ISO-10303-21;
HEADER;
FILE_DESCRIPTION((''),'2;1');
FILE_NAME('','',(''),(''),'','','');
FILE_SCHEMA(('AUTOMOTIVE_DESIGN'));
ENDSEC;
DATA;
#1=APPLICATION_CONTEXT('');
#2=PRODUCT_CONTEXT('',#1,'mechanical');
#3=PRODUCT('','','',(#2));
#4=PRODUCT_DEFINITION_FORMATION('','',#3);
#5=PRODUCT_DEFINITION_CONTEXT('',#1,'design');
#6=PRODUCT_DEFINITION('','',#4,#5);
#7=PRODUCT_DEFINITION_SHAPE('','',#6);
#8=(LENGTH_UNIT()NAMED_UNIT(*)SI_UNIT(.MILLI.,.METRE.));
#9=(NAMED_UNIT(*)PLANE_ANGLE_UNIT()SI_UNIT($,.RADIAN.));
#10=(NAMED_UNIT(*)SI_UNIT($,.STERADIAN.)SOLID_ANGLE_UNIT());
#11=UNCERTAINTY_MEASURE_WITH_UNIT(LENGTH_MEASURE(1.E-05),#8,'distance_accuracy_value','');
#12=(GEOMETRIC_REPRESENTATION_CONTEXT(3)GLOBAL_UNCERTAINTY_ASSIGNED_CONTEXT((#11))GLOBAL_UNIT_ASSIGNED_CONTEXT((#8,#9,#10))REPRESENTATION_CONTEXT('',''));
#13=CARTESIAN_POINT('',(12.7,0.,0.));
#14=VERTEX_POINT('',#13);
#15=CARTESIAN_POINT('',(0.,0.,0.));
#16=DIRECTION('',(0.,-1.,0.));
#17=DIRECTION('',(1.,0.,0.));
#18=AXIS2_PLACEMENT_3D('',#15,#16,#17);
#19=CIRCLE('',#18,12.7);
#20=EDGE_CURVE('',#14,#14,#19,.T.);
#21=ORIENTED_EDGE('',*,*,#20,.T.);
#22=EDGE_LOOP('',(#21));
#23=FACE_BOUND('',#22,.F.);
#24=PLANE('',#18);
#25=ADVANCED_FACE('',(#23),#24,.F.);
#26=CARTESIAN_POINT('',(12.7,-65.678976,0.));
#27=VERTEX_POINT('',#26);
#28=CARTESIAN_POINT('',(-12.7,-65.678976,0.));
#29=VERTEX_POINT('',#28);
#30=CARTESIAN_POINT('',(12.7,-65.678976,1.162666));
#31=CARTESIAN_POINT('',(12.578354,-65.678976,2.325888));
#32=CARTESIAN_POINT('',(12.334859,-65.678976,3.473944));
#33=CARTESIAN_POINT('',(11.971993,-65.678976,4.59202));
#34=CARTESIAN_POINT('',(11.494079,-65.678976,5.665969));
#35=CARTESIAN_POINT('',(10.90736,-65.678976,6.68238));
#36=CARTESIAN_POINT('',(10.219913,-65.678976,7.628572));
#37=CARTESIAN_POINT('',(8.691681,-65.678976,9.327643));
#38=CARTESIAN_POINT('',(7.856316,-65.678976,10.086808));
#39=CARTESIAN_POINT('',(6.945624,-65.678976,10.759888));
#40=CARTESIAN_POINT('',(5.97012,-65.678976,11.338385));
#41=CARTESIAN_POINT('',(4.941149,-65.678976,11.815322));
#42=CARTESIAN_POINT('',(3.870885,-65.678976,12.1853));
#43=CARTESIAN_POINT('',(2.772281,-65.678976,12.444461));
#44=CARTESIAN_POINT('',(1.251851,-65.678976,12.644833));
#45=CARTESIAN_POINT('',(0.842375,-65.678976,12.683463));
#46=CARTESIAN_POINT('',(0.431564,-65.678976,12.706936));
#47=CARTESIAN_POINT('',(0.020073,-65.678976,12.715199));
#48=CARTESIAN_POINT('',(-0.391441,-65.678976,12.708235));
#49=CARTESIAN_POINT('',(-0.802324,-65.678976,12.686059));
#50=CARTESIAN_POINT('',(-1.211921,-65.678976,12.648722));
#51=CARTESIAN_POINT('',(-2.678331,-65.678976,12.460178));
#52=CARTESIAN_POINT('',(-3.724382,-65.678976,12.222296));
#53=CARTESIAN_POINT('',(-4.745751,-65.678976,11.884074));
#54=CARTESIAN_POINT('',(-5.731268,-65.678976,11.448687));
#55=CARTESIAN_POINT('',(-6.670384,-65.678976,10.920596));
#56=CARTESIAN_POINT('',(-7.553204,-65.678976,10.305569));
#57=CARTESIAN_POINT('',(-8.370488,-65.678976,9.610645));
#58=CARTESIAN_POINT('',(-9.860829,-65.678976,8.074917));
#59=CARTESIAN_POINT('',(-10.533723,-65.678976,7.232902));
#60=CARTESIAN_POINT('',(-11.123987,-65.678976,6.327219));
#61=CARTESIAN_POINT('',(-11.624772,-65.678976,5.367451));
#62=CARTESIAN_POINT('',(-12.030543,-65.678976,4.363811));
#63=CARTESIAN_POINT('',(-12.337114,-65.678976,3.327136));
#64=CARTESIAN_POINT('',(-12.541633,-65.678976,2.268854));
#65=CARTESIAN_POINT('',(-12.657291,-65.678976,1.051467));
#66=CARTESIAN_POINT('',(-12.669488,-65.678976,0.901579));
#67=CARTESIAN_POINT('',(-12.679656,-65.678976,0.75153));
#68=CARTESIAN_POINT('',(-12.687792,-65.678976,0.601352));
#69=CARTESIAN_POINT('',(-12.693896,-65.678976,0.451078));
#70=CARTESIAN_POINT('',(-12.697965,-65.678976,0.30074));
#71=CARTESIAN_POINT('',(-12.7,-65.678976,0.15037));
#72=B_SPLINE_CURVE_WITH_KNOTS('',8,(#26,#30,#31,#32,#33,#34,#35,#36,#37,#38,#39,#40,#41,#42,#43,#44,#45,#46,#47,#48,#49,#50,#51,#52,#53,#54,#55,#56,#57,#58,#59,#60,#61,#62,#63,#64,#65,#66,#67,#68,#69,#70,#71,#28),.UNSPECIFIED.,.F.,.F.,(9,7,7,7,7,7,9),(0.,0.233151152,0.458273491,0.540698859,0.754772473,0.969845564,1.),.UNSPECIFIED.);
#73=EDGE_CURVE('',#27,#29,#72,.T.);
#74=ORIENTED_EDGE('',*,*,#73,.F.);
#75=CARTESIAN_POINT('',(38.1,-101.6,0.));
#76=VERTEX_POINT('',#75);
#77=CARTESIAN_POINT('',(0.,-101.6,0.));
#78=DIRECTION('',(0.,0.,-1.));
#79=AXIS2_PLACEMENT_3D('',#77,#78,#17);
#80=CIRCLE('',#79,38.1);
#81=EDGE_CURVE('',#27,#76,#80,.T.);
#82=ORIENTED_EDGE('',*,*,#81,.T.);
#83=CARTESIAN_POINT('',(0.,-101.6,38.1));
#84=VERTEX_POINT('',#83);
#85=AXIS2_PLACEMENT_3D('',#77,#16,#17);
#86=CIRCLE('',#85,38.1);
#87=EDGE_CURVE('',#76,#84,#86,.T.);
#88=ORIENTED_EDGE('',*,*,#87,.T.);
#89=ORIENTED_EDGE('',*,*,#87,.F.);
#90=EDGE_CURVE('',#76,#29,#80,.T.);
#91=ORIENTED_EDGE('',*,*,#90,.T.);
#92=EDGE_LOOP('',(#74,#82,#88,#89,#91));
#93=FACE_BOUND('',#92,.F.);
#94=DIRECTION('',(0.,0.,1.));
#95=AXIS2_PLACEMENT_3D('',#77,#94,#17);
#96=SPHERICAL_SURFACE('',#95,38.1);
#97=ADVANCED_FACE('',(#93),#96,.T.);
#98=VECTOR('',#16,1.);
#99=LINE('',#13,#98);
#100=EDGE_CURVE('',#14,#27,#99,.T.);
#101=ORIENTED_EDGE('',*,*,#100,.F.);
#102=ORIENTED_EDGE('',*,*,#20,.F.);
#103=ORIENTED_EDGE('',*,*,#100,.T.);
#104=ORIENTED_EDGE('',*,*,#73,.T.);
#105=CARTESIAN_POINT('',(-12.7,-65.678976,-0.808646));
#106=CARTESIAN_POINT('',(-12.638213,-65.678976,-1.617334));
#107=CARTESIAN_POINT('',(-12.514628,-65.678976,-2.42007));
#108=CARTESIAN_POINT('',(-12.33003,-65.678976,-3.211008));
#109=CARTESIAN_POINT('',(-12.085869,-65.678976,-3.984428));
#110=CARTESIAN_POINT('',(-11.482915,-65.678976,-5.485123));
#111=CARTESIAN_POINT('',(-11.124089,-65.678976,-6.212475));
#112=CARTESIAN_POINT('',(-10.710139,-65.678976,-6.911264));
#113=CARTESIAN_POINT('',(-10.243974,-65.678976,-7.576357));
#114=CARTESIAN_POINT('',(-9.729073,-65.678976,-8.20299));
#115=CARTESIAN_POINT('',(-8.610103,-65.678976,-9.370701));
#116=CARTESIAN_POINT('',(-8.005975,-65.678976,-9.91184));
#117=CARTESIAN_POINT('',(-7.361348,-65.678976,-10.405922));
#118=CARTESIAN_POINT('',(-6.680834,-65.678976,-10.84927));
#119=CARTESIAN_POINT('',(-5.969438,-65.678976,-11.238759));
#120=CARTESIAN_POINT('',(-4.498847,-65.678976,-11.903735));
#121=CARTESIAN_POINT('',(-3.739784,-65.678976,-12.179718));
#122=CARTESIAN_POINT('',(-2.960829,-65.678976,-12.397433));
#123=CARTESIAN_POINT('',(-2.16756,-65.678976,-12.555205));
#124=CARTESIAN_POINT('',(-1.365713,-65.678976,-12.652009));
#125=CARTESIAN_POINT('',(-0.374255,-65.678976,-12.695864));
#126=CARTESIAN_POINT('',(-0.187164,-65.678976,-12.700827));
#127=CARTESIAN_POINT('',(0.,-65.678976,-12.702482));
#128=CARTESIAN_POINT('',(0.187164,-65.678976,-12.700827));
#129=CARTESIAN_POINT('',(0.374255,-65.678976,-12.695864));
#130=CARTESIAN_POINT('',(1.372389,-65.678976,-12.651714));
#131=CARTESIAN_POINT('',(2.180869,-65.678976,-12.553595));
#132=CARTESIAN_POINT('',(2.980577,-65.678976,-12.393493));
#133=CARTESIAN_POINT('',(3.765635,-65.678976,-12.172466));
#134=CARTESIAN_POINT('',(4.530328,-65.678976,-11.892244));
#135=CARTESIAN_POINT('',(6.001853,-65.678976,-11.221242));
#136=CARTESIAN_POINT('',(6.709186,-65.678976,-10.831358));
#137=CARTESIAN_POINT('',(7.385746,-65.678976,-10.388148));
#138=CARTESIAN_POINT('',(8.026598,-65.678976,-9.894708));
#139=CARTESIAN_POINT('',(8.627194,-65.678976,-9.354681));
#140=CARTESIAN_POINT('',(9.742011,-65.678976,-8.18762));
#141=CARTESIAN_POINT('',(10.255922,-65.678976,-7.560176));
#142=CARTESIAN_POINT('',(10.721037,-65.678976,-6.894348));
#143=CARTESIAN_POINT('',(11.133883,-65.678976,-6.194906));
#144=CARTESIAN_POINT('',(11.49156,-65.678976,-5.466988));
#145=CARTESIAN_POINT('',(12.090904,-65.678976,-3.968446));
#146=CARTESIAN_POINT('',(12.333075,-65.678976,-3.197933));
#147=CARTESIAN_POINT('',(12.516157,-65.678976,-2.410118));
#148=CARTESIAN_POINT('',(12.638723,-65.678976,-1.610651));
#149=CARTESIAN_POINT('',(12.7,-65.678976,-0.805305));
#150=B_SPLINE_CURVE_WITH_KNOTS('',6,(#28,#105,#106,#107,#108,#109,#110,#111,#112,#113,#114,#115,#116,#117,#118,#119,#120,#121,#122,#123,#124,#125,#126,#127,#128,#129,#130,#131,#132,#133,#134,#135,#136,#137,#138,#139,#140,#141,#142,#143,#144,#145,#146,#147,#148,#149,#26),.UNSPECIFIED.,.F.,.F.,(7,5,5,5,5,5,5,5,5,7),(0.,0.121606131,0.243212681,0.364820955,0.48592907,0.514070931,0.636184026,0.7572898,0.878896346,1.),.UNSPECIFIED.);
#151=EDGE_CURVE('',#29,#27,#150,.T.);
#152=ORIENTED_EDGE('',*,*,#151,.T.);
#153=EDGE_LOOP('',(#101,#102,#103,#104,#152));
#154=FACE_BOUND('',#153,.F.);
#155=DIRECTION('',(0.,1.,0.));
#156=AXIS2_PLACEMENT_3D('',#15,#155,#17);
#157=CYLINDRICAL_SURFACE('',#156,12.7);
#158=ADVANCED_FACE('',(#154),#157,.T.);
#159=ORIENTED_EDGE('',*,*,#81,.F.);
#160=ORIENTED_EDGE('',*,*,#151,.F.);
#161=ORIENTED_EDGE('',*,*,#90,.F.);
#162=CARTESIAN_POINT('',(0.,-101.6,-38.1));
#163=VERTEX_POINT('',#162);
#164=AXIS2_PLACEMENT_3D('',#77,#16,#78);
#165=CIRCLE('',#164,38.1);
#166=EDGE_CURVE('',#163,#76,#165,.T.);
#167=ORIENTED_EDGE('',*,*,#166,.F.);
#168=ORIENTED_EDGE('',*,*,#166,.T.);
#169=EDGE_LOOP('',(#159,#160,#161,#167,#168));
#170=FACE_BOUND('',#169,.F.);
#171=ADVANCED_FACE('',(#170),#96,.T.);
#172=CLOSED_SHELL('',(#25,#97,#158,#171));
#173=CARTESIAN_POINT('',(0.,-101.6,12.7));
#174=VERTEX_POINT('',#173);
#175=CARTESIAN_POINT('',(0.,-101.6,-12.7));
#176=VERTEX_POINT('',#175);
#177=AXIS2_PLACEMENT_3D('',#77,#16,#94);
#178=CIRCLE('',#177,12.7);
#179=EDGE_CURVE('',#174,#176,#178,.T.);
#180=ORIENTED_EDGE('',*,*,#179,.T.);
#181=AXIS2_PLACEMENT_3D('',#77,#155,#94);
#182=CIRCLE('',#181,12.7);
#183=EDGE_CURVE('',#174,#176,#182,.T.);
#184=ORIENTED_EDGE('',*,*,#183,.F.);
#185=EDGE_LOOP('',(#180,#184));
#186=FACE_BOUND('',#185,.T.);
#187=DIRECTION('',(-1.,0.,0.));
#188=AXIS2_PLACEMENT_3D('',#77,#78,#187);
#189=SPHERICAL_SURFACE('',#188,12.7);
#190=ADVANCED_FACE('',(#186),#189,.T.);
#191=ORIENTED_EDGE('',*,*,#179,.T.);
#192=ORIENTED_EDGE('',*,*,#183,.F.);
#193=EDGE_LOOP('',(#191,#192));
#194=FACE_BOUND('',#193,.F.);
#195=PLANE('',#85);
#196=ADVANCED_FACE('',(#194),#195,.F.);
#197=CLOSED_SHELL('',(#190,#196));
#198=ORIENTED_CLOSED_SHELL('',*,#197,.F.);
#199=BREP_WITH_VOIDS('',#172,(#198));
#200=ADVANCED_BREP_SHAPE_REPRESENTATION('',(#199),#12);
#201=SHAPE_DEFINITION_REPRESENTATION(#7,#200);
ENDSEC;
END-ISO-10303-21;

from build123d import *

# Parameters (mm, degrees)
F0_R     = 12.7
F1_DEPTH = 101.6


with BuildPart() as f1:
    # F0 (on Front) → F1 (new body)
    with BuildSketch(Plane.XZ):
        Circle(F0_R)
    extrude(amount=F1_DEPTH)

    # F2 (on face) → F3 (revolve)
    with BuildSketch(Plane.XZ.offset(101.6)):
        with BuildLine():
            ThreePointArc((0, -38.1), (26.9407683632, -26.9407683632), (38.1, 0))
            ThreePointArc((38.1, 0), (26.9407683632, 26.9407683632), (0, 38.1))
            Line((0, 38.1), (0, 12.7))
            ThreePointArc((0, 12.7), (8.9802561211, 8.9802561211), (12.7, 0))
            ThreePointArc((12.7, 0), (8.9802561211, -8.9802561211), (0, -12.7))
            Line((0, -12.7), (0, -38.1))
        make_face()
        with BuildLine():
            Line((0, -12.7), (0, 12.7))
            ThreePointArc((0, 12.7), (-12.7, 0), (0, -12.7))
        make_face()
        with BuildLine():
            ThreePointArc((12.7, 0), (8.9802561211, 8.9802561211), (0, 12.7))
            Line((0, 12.7), (0, -12.7))
            ThreePointArc((0, -12.7), (8.9802561211, -8.9802561211), (12.7, 0))
        make_face()
    revolve(axis=Axis((0, -101.6, 0), (0, 0, -1)))


solid = f1.part
